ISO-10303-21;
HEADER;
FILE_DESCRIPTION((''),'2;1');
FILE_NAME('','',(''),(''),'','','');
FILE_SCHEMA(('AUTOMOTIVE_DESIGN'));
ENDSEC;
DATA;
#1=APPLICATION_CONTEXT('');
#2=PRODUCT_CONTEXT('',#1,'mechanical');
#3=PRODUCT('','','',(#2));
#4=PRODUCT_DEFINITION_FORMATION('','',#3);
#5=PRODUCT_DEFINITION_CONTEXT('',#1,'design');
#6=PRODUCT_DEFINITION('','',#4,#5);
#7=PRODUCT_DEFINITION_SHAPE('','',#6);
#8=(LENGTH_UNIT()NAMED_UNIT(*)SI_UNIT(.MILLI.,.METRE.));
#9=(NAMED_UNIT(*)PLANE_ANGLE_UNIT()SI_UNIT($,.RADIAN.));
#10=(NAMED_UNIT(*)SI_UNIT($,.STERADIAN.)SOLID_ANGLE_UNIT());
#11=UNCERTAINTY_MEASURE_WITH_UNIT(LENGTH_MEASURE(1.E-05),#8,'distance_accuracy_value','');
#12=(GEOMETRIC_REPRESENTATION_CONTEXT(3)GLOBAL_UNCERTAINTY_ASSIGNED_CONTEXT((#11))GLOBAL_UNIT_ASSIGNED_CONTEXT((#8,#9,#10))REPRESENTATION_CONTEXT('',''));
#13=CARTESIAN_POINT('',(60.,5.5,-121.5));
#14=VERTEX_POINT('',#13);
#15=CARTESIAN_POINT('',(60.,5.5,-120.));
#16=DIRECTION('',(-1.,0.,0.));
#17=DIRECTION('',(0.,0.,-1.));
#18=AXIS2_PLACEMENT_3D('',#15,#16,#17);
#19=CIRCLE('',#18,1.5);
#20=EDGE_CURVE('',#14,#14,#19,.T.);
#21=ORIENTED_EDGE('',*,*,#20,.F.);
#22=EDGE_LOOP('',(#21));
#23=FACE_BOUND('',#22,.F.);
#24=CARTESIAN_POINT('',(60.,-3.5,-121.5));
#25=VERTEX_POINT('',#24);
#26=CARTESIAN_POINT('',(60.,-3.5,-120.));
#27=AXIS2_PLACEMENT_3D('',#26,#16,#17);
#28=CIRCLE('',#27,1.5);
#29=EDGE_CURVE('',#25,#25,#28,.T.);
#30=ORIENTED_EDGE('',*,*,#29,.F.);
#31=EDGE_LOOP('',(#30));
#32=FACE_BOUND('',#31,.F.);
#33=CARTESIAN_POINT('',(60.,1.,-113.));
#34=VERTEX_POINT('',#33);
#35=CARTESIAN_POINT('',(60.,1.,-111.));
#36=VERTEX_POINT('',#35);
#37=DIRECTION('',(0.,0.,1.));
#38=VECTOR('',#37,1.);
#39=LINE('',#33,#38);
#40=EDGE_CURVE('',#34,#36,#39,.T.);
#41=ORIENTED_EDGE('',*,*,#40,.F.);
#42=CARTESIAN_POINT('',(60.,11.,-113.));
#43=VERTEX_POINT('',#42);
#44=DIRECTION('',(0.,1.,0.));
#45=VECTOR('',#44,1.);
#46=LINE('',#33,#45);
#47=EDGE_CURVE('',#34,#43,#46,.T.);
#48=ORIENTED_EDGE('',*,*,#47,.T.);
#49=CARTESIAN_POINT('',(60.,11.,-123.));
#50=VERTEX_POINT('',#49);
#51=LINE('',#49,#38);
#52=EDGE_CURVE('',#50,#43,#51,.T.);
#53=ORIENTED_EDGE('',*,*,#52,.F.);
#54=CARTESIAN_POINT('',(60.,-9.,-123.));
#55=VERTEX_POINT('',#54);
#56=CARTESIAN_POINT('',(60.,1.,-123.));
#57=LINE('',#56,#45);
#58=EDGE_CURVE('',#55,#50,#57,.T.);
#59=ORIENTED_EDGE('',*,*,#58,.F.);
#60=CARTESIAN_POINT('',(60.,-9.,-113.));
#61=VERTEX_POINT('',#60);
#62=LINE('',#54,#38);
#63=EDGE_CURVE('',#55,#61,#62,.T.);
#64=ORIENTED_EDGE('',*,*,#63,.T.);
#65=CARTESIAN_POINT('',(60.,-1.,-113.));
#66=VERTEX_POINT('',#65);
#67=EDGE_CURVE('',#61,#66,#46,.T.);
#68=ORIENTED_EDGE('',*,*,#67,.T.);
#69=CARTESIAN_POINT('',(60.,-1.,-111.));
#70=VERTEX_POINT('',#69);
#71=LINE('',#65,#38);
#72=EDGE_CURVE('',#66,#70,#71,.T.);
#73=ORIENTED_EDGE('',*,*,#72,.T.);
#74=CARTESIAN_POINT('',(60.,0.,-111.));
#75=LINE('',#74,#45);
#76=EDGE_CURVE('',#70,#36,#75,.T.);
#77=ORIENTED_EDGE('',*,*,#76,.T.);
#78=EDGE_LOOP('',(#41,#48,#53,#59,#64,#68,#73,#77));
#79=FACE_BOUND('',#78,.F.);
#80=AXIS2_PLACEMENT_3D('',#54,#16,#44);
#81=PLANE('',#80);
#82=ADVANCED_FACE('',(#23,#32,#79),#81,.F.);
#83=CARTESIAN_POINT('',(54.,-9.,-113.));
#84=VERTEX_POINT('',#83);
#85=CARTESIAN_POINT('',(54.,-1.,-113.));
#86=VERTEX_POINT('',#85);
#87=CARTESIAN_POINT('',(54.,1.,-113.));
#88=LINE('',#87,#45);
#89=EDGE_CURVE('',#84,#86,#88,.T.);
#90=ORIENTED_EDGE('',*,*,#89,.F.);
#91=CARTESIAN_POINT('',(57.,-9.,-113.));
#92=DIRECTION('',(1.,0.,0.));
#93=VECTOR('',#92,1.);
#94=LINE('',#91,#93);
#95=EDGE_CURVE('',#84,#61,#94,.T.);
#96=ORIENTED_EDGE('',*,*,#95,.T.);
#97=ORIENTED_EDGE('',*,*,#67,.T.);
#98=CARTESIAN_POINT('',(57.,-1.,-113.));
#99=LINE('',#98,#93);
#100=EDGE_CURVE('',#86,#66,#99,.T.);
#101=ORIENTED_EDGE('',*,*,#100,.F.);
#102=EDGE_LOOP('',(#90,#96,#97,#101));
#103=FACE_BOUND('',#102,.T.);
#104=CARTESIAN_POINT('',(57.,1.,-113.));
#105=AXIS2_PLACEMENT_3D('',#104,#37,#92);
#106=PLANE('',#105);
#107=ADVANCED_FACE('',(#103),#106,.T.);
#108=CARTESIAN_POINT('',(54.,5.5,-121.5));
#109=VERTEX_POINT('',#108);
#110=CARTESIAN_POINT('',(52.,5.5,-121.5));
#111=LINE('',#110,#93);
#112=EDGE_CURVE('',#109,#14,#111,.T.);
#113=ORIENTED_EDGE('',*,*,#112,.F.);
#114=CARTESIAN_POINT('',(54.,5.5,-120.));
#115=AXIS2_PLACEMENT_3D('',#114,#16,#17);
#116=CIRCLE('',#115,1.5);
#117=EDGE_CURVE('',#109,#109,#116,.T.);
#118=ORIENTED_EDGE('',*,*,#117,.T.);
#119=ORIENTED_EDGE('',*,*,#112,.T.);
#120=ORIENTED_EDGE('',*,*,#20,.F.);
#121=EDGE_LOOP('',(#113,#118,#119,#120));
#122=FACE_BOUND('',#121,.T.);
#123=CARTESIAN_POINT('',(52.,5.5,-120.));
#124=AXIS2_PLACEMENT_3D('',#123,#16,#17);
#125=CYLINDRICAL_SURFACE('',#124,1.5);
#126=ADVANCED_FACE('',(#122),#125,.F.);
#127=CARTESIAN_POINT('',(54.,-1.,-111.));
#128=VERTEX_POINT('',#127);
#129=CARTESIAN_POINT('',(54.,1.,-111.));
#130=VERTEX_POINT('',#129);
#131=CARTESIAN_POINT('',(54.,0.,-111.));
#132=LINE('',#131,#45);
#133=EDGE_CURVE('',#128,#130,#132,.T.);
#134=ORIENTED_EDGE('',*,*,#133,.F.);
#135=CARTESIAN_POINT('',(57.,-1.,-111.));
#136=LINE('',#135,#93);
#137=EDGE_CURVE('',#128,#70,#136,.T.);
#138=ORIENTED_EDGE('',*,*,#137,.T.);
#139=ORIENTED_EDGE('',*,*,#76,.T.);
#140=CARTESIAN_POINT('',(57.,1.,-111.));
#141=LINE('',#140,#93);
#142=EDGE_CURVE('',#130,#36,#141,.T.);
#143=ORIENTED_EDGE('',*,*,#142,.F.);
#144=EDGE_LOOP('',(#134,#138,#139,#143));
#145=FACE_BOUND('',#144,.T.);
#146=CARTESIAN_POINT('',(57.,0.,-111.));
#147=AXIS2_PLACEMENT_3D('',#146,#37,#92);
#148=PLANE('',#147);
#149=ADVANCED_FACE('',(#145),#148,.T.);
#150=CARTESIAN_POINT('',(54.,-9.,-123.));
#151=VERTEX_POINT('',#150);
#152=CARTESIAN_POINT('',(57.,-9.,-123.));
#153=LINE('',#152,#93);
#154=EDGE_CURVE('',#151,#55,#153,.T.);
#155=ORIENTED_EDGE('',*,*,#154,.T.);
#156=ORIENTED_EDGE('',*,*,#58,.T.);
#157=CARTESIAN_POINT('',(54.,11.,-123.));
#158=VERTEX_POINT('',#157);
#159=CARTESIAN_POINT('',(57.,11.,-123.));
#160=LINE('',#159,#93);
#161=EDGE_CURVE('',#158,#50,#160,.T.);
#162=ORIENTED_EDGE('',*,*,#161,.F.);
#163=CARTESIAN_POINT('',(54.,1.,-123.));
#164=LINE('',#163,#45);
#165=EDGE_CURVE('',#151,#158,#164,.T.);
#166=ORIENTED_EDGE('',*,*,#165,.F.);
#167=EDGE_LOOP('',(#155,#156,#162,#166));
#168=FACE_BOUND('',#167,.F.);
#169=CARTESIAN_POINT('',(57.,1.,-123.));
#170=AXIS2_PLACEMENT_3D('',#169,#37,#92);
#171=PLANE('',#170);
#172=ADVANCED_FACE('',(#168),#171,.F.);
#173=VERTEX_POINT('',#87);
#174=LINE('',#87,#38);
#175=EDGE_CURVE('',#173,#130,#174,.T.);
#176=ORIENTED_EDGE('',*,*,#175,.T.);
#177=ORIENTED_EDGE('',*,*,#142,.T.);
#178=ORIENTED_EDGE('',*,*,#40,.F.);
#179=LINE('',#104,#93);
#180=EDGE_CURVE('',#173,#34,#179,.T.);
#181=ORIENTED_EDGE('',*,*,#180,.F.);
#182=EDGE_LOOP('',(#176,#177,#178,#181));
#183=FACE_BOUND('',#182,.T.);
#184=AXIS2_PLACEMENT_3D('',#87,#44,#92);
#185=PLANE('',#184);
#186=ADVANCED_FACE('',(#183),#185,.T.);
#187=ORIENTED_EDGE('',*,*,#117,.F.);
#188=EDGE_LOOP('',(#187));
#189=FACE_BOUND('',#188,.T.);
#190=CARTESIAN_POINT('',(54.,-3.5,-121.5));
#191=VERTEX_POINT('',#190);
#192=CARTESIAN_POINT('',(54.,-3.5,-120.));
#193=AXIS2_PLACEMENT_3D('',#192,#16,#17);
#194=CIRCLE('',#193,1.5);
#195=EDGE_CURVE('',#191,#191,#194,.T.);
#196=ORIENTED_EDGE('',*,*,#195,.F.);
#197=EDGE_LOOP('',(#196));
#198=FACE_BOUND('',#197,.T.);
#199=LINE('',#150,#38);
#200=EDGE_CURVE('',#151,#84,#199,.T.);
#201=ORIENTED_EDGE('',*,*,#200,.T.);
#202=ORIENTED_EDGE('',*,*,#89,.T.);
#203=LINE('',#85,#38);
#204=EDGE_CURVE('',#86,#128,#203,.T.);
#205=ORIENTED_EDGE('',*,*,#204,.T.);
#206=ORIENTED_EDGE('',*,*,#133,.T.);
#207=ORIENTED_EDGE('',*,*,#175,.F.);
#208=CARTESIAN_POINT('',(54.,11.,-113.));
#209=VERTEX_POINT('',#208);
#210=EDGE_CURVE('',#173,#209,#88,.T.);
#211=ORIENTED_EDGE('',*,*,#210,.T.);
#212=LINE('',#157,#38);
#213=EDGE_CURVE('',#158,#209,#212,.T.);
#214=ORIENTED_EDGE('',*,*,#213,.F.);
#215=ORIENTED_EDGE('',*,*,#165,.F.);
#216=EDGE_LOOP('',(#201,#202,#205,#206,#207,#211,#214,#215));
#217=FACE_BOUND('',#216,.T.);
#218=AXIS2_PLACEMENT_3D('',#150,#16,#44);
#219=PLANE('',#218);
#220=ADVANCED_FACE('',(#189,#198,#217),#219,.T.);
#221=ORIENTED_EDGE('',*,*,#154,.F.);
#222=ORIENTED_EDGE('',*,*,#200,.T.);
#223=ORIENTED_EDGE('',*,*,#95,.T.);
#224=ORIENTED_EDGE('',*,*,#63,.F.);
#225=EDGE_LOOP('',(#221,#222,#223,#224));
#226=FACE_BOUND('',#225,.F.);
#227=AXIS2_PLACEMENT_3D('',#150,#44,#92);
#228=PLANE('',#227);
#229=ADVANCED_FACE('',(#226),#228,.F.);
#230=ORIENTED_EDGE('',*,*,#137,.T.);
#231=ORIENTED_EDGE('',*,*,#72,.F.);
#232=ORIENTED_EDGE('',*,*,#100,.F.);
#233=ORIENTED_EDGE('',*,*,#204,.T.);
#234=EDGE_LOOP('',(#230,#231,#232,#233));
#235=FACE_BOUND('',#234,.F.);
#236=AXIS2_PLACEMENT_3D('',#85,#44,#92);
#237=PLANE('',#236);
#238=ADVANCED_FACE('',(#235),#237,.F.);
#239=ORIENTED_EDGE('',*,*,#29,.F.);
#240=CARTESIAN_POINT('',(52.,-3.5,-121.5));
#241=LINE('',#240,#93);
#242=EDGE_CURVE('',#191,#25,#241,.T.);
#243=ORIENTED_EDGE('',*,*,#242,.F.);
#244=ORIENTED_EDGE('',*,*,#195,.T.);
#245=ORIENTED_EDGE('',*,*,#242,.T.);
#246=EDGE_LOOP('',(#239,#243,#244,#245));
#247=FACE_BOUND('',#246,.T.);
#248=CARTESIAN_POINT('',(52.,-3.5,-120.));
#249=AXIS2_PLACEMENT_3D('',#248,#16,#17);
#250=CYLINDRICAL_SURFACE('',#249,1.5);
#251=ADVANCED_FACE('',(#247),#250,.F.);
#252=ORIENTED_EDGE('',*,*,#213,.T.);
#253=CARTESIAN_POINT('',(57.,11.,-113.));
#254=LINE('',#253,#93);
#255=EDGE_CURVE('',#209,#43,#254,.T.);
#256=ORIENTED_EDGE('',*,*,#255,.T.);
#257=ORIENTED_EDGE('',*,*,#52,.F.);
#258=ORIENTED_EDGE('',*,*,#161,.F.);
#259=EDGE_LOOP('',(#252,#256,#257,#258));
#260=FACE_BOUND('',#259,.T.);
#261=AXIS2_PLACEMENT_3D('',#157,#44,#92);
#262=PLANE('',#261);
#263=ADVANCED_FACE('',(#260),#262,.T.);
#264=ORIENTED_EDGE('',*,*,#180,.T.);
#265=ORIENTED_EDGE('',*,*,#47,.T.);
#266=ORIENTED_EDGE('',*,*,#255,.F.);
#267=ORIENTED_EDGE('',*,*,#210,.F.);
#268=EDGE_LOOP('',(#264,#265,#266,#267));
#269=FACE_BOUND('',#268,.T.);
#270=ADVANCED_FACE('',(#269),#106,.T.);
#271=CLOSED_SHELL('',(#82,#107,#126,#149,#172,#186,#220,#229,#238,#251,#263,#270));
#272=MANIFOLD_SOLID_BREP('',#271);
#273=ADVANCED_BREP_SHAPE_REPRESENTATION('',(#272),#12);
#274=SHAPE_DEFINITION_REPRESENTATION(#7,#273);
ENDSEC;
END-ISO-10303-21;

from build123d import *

# Parameters (mm, degrees)
CYLINDER033_R       = 1.5
CYLINDER033_DEPTH   = 10
ARRAY001016_Y_COUNT = 2
ARRAY001016_Y_PITCH = 9
BOX016_W            = 6
BOX016_H            = 20
BOX016_DEPTH        = 10
BOX017_W            = 6
BOX017_H            = 2
BOX017_DEPTH        = 2


with BuildPart() as end_stop_hole_array:
    # Cylinder033 → Cylinder033 (new body)
    with BuildSketch(Plane(origin=(-2, 5.5, 3), x_dir=(0, 0, -1), z_dir=(1, 0, 0))):
        Circle(CYLINDER033_R)
    extrude(amount=CYLINDER033_DEPTH)

    # Array001016 Y: end stop hole array ×2


with BuildPart() as end_stop_hole_array_1:
    add(end_stop_hole_array.part)
    with Locations(*[(0, i * ARRAY001016_Y_PITCH, 0) for i in range(1, ARRAY001016_Y_COUNT)]):
        add(end_stop_hole_array.part)


with BuildPart() as end_stop_body_cube:
    # Box016 → Box016 (new body)
    with BuildSketch(Plane.XY):
        with Locations((3, 10)):
            Rectangle(BOX016_W, BOX016_H)
    extrude(amount=BOX016_DEPTH)


with BuildPart() as end_stop_clone:
    # Box017 → Box017 (new body)
    with BuildSketch(Plane(origin=(0, 8, 10), x_dir=(1, 0, 0), z_dir=(0, 0, 1))):
        with Locations((3, 1)):
            Rectangle(BOX017_W, BOX017_H)
    extrude(amount=BOX017_DEPTH)

    # Fusion011: union end stop body cube
    add(end_stop_body_cube.part)

    # Cut013: cut end stop hole array
    add(end_stop_hole_array_1.part, mode=Mode.SUBTRACT)


with BuildPart() as end_stop_clone_1:
    # Body005 placement: moved
    add(end_stop_clone.part.moved(Location((54, -9, -123))))


solid = end_stop_clone_1.part
